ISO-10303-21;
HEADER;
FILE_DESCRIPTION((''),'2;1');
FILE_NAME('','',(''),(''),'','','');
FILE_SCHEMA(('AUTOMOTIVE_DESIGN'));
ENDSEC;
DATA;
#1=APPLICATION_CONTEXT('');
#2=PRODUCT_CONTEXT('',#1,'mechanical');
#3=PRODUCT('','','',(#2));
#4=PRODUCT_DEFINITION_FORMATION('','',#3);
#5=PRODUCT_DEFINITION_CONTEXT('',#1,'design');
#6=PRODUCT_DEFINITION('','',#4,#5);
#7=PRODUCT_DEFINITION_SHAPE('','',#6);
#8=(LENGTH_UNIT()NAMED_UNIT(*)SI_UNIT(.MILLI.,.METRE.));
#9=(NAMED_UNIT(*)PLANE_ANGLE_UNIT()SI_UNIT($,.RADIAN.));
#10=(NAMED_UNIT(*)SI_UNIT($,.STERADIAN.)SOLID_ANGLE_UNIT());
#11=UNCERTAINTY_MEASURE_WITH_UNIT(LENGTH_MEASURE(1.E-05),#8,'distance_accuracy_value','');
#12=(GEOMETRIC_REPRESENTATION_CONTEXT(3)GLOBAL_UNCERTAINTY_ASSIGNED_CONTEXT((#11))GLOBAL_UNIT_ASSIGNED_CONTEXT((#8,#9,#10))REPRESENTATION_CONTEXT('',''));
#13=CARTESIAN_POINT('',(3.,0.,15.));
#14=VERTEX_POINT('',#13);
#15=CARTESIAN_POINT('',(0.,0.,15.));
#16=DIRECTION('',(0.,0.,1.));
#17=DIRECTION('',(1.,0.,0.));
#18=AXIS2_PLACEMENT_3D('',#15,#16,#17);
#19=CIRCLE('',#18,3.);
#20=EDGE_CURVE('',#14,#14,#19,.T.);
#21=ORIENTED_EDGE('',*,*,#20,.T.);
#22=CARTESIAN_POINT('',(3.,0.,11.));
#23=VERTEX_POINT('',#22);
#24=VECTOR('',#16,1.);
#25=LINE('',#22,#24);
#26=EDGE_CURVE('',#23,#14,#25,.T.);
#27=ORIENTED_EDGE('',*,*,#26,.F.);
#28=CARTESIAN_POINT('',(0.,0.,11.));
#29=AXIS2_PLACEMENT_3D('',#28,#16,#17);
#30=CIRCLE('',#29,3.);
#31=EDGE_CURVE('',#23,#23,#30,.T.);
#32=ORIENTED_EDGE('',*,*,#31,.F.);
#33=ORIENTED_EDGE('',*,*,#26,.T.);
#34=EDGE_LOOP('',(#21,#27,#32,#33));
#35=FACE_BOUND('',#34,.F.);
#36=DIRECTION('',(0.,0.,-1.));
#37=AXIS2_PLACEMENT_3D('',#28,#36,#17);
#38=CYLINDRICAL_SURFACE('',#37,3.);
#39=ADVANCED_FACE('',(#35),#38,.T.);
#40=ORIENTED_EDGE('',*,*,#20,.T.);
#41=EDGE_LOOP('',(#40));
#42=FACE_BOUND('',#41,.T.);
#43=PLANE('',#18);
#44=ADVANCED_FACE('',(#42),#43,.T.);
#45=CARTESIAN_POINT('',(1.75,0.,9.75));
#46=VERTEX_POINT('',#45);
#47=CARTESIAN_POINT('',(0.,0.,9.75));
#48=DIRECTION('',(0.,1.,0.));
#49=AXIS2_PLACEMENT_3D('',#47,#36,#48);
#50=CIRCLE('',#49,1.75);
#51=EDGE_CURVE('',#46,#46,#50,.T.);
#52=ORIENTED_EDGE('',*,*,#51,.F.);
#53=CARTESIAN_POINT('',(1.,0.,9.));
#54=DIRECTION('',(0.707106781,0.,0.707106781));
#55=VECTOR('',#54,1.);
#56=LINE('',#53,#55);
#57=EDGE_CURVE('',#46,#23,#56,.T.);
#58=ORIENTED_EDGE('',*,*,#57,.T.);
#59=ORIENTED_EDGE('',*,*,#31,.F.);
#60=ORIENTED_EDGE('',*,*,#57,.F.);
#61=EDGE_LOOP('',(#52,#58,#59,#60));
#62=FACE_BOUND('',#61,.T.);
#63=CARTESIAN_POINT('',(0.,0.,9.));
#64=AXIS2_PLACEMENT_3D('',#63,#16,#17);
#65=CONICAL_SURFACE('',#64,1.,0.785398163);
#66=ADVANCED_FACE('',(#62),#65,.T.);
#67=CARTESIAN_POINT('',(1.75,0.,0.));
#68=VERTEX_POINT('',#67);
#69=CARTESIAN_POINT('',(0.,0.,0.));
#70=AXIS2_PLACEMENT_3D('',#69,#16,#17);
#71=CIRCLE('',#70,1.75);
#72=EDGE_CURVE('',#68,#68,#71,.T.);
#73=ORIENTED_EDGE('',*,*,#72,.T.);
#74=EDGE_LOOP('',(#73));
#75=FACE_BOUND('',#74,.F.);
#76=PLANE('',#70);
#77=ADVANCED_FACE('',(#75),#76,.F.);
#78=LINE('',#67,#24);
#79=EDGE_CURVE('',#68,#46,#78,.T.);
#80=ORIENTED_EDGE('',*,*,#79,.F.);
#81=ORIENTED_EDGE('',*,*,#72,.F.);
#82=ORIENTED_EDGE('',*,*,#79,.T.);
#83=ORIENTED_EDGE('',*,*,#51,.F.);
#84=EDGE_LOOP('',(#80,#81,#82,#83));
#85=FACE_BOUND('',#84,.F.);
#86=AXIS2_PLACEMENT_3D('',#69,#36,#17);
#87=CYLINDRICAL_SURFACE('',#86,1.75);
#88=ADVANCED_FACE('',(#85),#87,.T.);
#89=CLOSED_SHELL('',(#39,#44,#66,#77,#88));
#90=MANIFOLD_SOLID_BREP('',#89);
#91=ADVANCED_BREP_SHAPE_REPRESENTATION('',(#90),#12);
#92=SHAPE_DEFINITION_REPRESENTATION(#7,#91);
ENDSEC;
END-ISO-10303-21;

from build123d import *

# Parameters (mm, degrees)
CYLINDER_R        = 1.75
CYLINDER_DEPTH    = 10
CYLINDER001_R     = 3
CYLINDER001_DEPTH = 4


with BuildPart() as screw_cone:
    # Cone → Cone (revolve)
    with BuildSketch(Plane(origin=(0, 0, 9), x_dir=(1, 0, 0), z_dir=(0, -1, 0))):
        Polygon((0, 0), (1, 0), (3, 2), (0, 2), align=None)
    revolve(axis=Axis((0, 0, 9), (0, 0, 1)))


with BuildPart() as screw_cylinder:
    # Cylinder → Cylinder (new body)
    with BuildSketch(Plane.XY):
        Circle(CYLINDER_R)
    extrude(amount=CYLINDER_DEPTH)


with BuildPart() as screw_fusion:
    # Cylinder001 → Cylinder001 (new body)
    with BuildSketch(Plane.XY.offset(11)):
        Circle(CYLINDER001_R)
    extrude(amount=CYLINDER001_DEPTH)

    # Fusion: union screw-cone, screw-cylinder
    add(screw_cone.part)
    add(screw_cylinder.part)


solid = screw_fusion.part
